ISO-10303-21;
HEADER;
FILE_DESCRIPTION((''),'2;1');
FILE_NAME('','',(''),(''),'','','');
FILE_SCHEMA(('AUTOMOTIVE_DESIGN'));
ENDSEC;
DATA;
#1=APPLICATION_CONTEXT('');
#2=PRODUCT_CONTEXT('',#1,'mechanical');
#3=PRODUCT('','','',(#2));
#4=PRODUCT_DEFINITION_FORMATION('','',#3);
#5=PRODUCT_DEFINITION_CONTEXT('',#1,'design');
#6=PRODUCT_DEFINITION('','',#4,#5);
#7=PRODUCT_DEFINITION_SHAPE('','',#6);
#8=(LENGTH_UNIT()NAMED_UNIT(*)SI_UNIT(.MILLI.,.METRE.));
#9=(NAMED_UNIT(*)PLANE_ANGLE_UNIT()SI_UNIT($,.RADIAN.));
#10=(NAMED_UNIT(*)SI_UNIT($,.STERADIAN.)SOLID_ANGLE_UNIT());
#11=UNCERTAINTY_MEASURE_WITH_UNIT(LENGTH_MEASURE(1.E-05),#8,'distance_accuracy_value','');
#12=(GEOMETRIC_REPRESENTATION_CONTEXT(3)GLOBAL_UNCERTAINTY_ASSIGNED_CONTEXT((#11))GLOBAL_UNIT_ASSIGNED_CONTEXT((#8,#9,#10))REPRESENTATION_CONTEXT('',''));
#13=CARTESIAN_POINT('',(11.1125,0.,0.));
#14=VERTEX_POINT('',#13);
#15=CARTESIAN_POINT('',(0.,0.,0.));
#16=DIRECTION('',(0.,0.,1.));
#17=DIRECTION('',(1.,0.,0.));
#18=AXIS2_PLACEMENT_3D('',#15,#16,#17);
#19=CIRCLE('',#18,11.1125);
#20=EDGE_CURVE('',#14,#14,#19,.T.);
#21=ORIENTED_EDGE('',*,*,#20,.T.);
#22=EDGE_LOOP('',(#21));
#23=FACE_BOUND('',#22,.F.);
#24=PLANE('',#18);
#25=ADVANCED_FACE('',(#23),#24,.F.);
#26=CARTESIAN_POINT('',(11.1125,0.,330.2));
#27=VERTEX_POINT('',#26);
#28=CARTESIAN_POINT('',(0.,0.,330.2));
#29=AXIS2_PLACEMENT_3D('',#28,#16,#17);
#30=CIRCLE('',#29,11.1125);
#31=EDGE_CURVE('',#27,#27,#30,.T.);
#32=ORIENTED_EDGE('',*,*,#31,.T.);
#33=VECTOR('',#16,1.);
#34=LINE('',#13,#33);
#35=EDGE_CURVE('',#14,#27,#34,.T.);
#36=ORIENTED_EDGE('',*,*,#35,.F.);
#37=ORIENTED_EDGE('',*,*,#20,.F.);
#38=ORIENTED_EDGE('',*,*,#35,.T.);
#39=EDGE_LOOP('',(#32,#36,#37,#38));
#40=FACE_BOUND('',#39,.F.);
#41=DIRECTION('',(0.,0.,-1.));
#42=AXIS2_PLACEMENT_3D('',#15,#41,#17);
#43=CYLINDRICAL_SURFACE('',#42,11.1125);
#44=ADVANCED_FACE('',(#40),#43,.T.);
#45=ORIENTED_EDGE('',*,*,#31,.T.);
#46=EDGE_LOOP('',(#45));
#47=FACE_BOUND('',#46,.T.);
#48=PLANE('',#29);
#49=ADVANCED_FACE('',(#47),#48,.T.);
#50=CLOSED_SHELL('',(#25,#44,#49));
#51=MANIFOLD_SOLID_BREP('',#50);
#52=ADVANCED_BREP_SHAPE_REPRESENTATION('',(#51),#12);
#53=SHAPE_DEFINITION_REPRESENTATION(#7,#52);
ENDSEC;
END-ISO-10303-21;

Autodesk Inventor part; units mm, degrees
ref_plane "YZ Plane" through (0, 0, 0) normal (1, 0, 0) x (0, 1, 0)
ref_plane "XZ Plane" through (0, 0, 0) normal (0, 1, 0) x (-1, 0, 0)
ref_plane "XY Plane" through (0, 0, 0) normal (0, 0, 1) x (1, 0, 0)
sketch "Sketch1" plane through (0, 0, 0) normal (0, 0, 1) x (1, 0, 0)
  circle A0 centre (0, 0) radius 11.1125
  dimension "d0" = 22.225
extrude "Extrusion1" add sketch "Sketch1" along normal blind 330.2
properties part number "New Roller"
